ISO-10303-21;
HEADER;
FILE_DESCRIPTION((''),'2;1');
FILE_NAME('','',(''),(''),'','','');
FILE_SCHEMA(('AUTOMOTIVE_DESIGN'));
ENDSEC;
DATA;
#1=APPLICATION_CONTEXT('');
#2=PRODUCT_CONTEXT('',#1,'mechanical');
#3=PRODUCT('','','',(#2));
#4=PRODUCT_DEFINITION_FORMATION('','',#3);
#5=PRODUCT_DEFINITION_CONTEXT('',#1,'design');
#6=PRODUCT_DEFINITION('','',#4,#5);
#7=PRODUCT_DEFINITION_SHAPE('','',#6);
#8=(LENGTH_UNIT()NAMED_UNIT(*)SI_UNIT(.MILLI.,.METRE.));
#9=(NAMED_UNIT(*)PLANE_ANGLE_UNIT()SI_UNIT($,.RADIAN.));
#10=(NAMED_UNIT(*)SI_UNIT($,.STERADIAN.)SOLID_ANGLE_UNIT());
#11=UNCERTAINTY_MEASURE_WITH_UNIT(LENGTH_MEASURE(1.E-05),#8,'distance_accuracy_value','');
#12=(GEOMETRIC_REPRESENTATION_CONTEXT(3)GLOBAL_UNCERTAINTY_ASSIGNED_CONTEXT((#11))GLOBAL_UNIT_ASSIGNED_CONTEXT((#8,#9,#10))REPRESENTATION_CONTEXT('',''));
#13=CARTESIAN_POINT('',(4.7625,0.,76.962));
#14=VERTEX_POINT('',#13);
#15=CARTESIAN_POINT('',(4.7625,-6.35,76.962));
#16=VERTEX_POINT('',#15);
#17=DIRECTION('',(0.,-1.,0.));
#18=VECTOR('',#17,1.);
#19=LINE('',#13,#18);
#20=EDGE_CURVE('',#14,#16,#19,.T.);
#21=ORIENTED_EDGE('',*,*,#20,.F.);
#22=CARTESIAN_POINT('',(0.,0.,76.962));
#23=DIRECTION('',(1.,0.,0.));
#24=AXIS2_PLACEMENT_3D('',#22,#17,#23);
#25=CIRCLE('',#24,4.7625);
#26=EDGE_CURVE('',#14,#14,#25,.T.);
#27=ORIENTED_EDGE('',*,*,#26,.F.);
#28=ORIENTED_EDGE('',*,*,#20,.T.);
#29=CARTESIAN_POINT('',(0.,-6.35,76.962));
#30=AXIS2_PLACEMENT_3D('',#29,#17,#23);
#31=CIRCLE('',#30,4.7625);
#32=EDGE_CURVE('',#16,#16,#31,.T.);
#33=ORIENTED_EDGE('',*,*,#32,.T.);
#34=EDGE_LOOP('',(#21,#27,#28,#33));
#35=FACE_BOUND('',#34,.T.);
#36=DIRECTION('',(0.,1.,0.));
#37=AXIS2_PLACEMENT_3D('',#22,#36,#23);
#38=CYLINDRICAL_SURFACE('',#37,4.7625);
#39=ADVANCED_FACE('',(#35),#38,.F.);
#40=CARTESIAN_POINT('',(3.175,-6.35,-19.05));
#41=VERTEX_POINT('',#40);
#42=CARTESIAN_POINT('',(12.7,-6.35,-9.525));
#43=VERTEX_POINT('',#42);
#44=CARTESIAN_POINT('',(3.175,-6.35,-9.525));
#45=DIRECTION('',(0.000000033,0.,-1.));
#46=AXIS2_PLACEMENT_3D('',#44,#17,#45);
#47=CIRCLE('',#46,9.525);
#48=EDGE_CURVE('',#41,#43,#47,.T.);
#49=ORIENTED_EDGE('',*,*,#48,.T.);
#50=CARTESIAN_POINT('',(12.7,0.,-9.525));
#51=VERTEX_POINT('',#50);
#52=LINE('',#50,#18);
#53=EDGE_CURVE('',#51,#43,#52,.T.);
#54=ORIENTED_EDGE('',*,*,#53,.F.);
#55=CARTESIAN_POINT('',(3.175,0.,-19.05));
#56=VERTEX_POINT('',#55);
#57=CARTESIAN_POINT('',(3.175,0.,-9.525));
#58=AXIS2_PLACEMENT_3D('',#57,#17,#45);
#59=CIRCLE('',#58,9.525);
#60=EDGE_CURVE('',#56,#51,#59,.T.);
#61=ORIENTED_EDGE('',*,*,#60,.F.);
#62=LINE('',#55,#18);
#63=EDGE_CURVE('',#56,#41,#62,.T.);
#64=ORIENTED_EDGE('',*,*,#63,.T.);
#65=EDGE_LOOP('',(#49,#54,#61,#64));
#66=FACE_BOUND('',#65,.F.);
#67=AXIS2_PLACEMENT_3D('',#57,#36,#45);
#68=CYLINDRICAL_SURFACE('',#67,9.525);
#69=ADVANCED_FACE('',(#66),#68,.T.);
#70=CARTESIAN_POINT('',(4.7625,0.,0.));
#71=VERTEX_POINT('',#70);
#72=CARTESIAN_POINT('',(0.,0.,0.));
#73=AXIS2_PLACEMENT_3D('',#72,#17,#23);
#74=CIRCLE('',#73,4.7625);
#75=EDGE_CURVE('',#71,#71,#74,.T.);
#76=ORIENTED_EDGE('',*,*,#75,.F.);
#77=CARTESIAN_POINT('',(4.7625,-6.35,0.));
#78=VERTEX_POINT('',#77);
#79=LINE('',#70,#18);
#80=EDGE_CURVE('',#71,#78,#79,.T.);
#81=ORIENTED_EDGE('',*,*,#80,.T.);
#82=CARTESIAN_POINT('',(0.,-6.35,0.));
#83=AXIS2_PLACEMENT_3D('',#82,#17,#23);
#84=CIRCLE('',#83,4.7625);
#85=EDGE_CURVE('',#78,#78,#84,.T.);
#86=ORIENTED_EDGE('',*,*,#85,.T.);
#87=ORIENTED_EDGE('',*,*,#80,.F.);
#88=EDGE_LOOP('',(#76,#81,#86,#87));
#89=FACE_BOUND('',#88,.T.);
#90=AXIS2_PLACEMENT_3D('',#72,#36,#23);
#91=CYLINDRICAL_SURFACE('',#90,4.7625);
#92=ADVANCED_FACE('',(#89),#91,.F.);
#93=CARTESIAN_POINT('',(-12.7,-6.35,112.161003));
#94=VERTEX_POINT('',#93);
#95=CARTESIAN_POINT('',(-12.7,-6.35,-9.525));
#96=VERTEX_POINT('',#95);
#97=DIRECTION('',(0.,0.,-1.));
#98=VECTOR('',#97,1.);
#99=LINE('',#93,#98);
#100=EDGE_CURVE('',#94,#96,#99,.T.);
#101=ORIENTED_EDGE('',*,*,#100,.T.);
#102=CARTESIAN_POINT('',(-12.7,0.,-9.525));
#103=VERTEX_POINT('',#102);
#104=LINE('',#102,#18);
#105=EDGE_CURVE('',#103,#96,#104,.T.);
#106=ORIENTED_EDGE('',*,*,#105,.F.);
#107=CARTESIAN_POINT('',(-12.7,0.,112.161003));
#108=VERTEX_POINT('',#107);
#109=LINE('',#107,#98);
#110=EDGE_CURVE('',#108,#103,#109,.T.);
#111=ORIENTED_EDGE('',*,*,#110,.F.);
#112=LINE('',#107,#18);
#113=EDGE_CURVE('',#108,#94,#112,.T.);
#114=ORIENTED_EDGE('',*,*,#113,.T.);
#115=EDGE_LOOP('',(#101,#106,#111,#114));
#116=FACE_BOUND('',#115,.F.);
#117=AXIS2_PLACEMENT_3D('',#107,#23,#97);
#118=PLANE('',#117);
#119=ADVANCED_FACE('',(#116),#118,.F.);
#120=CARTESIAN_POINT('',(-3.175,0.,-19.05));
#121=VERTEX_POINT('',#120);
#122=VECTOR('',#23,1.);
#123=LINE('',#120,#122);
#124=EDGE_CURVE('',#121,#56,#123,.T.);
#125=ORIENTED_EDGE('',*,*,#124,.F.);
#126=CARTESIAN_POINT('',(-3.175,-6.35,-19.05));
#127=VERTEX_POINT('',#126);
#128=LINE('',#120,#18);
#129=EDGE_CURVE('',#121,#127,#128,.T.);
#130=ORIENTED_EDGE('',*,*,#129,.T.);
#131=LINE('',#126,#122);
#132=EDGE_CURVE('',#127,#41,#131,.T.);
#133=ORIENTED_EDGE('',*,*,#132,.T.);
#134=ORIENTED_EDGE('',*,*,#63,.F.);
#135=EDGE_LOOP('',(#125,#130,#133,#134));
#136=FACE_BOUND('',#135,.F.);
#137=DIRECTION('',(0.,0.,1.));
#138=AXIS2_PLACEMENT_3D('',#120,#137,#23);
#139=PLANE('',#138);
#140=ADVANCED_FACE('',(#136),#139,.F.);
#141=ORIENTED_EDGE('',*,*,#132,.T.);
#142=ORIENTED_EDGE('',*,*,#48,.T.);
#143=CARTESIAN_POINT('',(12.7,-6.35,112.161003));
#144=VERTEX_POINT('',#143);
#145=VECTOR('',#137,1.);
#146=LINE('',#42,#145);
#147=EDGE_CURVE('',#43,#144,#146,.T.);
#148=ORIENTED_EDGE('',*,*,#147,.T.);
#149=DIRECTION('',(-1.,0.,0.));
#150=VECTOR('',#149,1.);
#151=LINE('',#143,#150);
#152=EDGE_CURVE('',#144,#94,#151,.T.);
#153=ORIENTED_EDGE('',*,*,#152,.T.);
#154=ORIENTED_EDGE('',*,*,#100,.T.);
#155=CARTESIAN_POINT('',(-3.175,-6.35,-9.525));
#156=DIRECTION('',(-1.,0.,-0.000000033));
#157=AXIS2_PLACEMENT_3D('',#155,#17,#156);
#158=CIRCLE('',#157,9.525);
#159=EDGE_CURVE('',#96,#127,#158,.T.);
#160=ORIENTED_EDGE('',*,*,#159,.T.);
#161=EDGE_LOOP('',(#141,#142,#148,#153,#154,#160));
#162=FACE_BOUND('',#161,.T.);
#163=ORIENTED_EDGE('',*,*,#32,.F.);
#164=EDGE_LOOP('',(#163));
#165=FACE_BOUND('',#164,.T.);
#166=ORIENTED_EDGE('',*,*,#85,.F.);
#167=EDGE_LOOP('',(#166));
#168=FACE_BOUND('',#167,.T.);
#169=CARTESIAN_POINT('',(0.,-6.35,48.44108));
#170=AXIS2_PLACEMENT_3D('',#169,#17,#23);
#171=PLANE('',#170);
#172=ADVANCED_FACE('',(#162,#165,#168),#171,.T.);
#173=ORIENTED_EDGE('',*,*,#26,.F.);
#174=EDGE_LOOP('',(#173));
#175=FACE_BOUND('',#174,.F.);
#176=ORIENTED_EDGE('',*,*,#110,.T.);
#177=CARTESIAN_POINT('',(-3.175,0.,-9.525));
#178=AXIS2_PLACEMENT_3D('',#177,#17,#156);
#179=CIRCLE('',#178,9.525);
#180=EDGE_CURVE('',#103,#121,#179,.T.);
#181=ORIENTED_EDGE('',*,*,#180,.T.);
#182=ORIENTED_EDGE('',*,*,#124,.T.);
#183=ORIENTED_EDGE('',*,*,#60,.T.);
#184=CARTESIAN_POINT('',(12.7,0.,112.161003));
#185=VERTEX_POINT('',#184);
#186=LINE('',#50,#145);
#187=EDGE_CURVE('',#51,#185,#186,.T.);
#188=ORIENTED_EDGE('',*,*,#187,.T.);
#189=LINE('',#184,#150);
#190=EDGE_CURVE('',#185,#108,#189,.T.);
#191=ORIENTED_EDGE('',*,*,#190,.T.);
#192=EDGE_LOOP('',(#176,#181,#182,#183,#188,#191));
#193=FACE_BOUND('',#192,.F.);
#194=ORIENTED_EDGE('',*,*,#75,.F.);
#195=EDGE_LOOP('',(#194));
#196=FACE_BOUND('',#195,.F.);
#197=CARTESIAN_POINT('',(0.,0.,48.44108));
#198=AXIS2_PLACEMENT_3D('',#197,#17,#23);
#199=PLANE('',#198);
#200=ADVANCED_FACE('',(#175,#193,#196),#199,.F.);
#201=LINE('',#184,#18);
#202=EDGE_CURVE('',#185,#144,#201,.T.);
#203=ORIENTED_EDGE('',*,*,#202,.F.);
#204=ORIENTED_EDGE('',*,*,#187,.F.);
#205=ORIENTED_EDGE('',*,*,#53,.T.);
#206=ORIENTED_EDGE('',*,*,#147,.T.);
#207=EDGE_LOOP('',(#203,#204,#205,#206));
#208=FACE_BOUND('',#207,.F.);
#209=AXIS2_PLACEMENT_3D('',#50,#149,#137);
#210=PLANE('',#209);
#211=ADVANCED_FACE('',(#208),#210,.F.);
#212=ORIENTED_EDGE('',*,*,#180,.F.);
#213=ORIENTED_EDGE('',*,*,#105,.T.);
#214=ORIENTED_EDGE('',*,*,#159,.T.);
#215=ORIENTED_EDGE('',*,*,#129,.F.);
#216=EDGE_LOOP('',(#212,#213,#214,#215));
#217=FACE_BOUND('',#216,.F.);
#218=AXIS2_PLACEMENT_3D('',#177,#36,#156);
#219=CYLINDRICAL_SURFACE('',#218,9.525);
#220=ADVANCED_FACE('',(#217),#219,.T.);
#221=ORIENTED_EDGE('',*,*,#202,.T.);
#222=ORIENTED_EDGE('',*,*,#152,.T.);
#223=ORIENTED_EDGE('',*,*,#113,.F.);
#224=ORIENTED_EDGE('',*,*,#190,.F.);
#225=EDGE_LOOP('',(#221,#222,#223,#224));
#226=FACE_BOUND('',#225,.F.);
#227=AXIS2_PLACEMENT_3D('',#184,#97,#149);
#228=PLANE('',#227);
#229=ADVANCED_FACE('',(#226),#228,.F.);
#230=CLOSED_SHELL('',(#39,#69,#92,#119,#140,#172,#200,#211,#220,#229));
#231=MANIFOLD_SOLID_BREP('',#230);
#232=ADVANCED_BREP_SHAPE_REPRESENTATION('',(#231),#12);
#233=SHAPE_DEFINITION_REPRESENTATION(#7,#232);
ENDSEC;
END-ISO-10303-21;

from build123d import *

# Parameters (mm, degrees)
F0_R     = 4.7625
F1_DEPTH = 6.35


with BuildPart() as f1:
    # F0 (on Front) → F1 (new body)
    with BuildSketch(Plane.XZ):
        with BuildLine():
            ThreePointArc((3.175, -19.05), (9.910192, -16.260192), (12.7, -9.525))
            Line((12.7, -9.525), (12.7, 112.161003))
            Line((12.7, 112.161003), (-12.7, 112.161003))
            Line((-12.7, 112.161003), (-12.7, -9.525))
            ThreePointArc((-12.7, -9.525), (-9.910192, -16.260192), (-3.175, -19.05))
            Line((-3.175, -19.05), (3.175, -19.05))
        make_face()
        Circle(F0_R, mode=Mode.SUBTRACT)
        with Locations((0, 76.962)):
            Circle(F0_R, mode=Mode.SUBTRACT)
    extrude(amount=F1_DEPTH)


solid = f1.part
